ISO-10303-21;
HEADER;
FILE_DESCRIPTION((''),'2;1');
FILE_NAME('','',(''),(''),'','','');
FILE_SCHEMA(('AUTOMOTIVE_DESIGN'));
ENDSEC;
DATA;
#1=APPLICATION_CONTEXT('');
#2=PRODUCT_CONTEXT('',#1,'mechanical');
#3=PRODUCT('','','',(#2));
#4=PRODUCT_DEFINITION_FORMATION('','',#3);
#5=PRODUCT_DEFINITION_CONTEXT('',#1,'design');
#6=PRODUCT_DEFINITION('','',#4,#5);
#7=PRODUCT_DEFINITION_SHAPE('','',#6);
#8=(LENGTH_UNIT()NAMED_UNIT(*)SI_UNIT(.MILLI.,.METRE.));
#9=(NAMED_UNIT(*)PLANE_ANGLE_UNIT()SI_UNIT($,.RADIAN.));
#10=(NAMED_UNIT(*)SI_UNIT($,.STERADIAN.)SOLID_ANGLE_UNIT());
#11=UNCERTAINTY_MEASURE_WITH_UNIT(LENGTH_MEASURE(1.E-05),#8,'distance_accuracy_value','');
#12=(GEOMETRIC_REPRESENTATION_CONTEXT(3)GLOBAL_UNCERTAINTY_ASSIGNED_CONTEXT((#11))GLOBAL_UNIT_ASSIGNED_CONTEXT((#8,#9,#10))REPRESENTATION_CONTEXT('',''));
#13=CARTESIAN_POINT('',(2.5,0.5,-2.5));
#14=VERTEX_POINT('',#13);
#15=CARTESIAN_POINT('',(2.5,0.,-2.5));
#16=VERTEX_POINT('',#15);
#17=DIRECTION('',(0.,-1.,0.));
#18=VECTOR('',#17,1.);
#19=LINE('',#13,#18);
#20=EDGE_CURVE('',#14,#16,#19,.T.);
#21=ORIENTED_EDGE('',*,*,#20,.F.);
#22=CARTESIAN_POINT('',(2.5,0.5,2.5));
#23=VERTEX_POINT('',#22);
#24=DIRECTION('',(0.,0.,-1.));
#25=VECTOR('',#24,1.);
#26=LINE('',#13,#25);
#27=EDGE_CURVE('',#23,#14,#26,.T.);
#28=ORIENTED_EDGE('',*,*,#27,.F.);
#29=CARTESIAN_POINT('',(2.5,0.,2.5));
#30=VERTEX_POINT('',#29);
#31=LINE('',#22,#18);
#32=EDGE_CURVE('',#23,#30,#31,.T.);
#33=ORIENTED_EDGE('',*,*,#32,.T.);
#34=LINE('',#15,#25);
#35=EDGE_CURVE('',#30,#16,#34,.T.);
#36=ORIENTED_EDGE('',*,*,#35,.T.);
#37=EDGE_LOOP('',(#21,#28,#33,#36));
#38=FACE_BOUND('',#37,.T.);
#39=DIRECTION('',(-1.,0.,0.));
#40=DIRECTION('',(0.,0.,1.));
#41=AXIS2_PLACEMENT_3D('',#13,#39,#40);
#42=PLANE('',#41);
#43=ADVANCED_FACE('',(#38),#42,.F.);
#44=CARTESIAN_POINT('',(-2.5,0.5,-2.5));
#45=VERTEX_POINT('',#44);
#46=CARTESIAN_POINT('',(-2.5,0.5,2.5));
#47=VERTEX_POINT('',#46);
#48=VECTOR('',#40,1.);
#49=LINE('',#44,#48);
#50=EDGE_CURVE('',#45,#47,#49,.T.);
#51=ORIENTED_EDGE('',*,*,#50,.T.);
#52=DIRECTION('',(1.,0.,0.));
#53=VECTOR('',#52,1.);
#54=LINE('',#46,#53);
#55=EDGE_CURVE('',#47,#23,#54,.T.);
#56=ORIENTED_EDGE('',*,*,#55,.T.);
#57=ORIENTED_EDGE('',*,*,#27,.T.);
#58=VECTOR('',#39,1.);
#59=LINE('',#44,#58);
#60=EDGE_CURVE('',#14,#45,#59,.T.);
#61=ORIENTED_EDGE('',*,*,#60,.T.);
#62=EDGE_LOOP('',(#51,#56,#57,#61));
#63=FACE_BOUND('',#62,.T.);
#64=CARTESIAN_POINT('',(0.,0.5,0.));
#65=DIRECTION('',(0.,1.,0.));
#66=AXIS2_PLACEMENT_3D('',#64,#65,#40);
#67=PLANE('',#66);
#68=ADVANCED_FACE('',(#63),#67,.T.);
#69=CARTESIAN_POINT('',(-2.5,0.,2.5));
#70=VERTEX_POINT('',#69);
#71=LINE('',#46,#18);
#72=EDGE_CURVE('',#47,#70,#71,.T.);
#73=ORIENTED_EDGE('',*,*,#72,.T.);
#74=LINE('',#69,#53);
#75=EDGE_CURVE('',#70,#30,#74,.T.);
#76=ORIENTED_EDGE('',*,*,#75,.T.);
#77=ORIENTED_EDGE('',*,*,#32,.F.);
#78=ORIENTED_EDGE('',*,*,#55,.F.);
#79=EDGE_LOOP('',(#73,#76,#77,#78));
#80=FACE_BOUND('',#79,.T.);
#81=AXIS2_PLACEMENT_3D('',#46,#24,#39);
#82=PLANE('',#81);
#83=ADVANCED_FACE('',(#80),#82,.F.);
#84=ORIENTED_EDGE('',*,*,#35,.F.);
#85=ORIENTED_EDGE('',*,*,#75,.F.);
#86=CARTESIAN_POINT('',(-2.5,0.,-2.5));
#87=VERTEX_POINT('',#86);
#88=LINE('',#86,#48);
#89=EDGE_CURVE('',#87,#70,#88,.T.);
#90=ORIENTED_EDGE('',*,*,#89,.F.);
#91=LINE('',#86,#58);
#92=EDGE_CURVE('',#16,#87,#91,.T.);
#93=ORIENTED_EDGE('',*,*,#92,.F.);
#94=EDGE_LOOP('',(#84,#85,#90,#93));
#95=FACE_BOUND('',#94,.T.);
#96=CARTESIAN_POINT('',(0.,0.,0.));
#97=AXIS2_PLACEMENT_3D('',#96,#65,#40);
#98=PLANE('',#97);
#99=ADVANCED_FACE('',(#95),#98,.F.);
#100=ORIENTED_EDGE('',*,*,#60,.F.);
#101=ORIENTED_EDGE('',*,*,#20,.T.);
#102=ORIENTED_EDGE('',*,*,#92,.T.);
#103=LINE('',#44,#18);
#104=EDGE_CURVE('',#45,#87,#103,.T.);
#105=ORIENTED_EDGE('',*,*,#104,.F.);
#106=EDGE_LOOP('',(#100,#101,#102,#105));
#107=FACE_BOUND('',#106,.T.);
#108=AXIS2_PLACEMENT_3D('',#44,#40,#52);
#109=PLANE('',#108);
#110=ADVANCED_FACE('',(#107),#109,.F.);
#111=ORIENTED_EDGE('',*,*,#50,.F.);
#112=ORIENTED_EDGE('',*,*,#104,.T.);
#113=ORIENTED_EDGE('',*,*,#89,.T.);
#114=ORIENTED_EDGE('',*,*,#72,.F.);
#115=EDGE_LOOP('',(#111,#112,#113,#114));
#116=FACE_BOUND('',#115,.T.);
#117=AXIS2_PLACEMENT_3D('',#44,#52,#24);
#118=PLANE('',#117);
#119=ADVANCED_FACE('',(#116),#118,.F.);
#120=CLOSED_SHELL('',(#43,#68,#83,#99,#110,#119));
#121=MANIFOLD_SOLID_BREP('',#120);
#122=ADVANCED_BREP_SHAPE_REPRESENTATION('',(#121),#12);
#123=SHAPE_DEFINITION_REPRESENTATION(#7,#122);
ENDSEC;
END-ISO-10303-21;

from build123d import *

# Parameters (mm, degrees)
SKETCH1_W           = 5
SKETCH1_H           = 5
BOSS_EXTRUDE1_DEPTH = 0.5


with BuildPart() as part:
    # Sketch1 → Boss-Extrude1 (new body)
    with BuildSketch(Plane(origin=(0, 0, 0), x_dir=(1, 0, 0), z_dir=(0, 1, 0))):
        Rectangle(SKETCH1_W, SKETCH1_H)
    extrude(amount=BOSS_EXTRUDE1_DEPTH)


solid = part.part
